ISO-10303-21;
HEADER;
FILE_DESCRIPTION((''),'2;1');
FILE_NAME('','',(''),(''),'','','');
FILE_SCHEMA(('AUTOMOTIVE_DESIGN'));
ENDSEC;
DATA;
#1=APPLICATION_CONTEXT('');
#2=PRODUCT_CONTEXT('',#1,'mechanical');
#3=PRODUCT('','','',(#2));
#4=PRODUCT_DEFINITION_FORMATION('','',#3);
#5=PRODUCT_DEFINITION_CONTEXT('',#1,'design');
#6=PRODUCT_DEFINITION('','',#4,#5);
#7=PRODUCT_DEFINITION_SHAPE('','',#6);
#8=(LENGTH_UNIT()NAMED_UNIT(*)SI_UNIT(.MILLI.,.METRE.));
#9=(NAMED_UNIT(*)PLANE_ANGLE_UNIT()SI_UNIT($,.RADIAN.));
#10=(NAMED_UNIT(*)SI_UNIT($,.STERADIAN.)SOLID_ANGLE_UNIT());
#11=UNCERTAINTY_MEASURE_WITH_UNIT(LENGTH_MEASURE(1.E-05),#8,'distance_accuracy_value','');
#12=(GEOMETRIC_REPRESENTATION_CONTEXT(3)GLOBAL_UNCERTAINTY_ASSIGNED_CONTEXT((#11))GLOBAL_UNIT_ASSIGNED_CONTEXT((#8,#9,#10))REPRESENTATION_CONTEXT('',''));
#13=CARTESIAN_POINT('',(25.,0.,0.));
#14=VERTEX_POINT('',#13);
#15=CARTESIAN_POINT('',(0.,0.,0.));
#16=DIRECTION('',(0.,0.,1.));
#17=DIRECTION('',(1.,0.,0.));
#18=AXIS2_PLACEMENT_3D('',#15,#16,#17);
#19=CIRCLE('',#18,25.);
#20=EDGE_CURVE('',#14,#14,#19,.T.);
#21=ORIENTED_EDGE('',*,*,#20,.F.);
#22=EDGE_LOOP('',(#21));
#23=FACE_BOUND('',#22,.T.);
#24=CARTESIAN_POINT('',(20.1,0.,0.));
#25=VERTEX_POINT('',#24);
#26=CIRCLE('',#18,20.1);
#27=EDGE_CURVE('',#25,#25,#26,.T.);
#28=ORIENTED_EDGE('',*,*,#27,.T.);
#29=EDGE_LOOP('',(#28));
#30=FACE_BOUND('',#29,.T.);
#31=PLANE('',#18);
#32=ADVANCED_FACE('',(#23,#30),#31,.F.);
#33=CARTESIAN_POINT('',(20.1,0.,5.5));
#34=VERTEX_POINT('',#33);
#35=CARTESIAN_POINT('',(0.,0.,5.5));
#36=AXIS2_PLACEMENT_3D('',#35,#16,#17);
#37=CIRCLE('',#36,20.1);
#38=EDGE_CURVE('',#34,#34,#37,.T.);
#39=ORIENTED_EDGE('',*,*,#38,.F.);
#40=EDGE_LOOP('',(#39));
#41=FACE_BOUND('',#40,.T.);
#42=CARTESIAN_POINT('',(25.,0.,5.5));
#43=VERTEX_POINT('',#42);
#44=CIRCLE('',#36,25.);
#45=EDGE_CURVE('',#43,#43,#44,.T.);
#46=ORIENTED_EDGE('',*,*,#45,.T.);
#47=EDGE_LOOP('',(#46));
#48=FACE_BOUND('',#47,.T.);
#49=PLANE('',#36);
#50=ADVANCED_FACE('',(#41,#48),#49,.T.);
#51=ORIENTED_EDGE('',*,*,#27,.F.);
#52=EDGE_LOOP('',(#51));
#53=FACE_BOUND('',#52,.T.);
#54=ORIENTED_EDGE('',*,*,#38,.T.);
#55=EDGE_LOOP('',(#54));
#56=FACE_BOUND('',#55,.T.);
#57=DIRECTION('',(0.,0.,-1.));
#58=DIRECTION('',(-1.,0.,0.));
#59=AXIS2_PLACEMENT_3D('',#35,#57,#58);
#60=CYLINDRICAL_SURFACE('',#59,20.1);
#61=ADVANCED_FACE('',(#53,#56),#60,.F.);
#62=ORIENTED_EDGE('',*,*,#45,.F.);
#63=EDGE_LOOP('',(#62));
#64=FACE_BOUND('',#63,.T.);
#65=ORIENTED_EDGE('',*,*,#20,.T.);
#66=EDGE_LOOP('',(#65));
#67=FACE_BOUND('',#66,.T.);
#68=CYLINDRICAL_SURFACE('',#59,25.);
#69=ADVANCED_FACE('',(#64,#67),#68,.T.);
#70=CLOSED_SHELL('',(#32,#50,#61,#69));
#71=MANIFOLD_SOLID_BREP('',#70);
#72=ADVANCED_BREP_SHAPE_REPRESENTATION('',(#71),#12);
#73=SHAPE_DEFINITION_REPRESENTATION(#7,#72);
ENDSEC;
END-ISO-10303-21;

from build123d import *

# Parameters (mm, degrees)
SKETCH_1_R      = 25
SKETCH_1_R_2    = 20.1
EXTRUDE_1_DEPTH = 5.5


with BuildPart() as part:
    # 草图1 → 凸台-拉伸1 (new body)
    with BuildSketch(Plane.XY):
        Circle(SKETCH_1_R)
        Circle(SKETCH_1_R_2, mode=Mode.SUBTRACT)
    extrude(amount=EXTRUDE_1_DEPTH)


solid = part.part
